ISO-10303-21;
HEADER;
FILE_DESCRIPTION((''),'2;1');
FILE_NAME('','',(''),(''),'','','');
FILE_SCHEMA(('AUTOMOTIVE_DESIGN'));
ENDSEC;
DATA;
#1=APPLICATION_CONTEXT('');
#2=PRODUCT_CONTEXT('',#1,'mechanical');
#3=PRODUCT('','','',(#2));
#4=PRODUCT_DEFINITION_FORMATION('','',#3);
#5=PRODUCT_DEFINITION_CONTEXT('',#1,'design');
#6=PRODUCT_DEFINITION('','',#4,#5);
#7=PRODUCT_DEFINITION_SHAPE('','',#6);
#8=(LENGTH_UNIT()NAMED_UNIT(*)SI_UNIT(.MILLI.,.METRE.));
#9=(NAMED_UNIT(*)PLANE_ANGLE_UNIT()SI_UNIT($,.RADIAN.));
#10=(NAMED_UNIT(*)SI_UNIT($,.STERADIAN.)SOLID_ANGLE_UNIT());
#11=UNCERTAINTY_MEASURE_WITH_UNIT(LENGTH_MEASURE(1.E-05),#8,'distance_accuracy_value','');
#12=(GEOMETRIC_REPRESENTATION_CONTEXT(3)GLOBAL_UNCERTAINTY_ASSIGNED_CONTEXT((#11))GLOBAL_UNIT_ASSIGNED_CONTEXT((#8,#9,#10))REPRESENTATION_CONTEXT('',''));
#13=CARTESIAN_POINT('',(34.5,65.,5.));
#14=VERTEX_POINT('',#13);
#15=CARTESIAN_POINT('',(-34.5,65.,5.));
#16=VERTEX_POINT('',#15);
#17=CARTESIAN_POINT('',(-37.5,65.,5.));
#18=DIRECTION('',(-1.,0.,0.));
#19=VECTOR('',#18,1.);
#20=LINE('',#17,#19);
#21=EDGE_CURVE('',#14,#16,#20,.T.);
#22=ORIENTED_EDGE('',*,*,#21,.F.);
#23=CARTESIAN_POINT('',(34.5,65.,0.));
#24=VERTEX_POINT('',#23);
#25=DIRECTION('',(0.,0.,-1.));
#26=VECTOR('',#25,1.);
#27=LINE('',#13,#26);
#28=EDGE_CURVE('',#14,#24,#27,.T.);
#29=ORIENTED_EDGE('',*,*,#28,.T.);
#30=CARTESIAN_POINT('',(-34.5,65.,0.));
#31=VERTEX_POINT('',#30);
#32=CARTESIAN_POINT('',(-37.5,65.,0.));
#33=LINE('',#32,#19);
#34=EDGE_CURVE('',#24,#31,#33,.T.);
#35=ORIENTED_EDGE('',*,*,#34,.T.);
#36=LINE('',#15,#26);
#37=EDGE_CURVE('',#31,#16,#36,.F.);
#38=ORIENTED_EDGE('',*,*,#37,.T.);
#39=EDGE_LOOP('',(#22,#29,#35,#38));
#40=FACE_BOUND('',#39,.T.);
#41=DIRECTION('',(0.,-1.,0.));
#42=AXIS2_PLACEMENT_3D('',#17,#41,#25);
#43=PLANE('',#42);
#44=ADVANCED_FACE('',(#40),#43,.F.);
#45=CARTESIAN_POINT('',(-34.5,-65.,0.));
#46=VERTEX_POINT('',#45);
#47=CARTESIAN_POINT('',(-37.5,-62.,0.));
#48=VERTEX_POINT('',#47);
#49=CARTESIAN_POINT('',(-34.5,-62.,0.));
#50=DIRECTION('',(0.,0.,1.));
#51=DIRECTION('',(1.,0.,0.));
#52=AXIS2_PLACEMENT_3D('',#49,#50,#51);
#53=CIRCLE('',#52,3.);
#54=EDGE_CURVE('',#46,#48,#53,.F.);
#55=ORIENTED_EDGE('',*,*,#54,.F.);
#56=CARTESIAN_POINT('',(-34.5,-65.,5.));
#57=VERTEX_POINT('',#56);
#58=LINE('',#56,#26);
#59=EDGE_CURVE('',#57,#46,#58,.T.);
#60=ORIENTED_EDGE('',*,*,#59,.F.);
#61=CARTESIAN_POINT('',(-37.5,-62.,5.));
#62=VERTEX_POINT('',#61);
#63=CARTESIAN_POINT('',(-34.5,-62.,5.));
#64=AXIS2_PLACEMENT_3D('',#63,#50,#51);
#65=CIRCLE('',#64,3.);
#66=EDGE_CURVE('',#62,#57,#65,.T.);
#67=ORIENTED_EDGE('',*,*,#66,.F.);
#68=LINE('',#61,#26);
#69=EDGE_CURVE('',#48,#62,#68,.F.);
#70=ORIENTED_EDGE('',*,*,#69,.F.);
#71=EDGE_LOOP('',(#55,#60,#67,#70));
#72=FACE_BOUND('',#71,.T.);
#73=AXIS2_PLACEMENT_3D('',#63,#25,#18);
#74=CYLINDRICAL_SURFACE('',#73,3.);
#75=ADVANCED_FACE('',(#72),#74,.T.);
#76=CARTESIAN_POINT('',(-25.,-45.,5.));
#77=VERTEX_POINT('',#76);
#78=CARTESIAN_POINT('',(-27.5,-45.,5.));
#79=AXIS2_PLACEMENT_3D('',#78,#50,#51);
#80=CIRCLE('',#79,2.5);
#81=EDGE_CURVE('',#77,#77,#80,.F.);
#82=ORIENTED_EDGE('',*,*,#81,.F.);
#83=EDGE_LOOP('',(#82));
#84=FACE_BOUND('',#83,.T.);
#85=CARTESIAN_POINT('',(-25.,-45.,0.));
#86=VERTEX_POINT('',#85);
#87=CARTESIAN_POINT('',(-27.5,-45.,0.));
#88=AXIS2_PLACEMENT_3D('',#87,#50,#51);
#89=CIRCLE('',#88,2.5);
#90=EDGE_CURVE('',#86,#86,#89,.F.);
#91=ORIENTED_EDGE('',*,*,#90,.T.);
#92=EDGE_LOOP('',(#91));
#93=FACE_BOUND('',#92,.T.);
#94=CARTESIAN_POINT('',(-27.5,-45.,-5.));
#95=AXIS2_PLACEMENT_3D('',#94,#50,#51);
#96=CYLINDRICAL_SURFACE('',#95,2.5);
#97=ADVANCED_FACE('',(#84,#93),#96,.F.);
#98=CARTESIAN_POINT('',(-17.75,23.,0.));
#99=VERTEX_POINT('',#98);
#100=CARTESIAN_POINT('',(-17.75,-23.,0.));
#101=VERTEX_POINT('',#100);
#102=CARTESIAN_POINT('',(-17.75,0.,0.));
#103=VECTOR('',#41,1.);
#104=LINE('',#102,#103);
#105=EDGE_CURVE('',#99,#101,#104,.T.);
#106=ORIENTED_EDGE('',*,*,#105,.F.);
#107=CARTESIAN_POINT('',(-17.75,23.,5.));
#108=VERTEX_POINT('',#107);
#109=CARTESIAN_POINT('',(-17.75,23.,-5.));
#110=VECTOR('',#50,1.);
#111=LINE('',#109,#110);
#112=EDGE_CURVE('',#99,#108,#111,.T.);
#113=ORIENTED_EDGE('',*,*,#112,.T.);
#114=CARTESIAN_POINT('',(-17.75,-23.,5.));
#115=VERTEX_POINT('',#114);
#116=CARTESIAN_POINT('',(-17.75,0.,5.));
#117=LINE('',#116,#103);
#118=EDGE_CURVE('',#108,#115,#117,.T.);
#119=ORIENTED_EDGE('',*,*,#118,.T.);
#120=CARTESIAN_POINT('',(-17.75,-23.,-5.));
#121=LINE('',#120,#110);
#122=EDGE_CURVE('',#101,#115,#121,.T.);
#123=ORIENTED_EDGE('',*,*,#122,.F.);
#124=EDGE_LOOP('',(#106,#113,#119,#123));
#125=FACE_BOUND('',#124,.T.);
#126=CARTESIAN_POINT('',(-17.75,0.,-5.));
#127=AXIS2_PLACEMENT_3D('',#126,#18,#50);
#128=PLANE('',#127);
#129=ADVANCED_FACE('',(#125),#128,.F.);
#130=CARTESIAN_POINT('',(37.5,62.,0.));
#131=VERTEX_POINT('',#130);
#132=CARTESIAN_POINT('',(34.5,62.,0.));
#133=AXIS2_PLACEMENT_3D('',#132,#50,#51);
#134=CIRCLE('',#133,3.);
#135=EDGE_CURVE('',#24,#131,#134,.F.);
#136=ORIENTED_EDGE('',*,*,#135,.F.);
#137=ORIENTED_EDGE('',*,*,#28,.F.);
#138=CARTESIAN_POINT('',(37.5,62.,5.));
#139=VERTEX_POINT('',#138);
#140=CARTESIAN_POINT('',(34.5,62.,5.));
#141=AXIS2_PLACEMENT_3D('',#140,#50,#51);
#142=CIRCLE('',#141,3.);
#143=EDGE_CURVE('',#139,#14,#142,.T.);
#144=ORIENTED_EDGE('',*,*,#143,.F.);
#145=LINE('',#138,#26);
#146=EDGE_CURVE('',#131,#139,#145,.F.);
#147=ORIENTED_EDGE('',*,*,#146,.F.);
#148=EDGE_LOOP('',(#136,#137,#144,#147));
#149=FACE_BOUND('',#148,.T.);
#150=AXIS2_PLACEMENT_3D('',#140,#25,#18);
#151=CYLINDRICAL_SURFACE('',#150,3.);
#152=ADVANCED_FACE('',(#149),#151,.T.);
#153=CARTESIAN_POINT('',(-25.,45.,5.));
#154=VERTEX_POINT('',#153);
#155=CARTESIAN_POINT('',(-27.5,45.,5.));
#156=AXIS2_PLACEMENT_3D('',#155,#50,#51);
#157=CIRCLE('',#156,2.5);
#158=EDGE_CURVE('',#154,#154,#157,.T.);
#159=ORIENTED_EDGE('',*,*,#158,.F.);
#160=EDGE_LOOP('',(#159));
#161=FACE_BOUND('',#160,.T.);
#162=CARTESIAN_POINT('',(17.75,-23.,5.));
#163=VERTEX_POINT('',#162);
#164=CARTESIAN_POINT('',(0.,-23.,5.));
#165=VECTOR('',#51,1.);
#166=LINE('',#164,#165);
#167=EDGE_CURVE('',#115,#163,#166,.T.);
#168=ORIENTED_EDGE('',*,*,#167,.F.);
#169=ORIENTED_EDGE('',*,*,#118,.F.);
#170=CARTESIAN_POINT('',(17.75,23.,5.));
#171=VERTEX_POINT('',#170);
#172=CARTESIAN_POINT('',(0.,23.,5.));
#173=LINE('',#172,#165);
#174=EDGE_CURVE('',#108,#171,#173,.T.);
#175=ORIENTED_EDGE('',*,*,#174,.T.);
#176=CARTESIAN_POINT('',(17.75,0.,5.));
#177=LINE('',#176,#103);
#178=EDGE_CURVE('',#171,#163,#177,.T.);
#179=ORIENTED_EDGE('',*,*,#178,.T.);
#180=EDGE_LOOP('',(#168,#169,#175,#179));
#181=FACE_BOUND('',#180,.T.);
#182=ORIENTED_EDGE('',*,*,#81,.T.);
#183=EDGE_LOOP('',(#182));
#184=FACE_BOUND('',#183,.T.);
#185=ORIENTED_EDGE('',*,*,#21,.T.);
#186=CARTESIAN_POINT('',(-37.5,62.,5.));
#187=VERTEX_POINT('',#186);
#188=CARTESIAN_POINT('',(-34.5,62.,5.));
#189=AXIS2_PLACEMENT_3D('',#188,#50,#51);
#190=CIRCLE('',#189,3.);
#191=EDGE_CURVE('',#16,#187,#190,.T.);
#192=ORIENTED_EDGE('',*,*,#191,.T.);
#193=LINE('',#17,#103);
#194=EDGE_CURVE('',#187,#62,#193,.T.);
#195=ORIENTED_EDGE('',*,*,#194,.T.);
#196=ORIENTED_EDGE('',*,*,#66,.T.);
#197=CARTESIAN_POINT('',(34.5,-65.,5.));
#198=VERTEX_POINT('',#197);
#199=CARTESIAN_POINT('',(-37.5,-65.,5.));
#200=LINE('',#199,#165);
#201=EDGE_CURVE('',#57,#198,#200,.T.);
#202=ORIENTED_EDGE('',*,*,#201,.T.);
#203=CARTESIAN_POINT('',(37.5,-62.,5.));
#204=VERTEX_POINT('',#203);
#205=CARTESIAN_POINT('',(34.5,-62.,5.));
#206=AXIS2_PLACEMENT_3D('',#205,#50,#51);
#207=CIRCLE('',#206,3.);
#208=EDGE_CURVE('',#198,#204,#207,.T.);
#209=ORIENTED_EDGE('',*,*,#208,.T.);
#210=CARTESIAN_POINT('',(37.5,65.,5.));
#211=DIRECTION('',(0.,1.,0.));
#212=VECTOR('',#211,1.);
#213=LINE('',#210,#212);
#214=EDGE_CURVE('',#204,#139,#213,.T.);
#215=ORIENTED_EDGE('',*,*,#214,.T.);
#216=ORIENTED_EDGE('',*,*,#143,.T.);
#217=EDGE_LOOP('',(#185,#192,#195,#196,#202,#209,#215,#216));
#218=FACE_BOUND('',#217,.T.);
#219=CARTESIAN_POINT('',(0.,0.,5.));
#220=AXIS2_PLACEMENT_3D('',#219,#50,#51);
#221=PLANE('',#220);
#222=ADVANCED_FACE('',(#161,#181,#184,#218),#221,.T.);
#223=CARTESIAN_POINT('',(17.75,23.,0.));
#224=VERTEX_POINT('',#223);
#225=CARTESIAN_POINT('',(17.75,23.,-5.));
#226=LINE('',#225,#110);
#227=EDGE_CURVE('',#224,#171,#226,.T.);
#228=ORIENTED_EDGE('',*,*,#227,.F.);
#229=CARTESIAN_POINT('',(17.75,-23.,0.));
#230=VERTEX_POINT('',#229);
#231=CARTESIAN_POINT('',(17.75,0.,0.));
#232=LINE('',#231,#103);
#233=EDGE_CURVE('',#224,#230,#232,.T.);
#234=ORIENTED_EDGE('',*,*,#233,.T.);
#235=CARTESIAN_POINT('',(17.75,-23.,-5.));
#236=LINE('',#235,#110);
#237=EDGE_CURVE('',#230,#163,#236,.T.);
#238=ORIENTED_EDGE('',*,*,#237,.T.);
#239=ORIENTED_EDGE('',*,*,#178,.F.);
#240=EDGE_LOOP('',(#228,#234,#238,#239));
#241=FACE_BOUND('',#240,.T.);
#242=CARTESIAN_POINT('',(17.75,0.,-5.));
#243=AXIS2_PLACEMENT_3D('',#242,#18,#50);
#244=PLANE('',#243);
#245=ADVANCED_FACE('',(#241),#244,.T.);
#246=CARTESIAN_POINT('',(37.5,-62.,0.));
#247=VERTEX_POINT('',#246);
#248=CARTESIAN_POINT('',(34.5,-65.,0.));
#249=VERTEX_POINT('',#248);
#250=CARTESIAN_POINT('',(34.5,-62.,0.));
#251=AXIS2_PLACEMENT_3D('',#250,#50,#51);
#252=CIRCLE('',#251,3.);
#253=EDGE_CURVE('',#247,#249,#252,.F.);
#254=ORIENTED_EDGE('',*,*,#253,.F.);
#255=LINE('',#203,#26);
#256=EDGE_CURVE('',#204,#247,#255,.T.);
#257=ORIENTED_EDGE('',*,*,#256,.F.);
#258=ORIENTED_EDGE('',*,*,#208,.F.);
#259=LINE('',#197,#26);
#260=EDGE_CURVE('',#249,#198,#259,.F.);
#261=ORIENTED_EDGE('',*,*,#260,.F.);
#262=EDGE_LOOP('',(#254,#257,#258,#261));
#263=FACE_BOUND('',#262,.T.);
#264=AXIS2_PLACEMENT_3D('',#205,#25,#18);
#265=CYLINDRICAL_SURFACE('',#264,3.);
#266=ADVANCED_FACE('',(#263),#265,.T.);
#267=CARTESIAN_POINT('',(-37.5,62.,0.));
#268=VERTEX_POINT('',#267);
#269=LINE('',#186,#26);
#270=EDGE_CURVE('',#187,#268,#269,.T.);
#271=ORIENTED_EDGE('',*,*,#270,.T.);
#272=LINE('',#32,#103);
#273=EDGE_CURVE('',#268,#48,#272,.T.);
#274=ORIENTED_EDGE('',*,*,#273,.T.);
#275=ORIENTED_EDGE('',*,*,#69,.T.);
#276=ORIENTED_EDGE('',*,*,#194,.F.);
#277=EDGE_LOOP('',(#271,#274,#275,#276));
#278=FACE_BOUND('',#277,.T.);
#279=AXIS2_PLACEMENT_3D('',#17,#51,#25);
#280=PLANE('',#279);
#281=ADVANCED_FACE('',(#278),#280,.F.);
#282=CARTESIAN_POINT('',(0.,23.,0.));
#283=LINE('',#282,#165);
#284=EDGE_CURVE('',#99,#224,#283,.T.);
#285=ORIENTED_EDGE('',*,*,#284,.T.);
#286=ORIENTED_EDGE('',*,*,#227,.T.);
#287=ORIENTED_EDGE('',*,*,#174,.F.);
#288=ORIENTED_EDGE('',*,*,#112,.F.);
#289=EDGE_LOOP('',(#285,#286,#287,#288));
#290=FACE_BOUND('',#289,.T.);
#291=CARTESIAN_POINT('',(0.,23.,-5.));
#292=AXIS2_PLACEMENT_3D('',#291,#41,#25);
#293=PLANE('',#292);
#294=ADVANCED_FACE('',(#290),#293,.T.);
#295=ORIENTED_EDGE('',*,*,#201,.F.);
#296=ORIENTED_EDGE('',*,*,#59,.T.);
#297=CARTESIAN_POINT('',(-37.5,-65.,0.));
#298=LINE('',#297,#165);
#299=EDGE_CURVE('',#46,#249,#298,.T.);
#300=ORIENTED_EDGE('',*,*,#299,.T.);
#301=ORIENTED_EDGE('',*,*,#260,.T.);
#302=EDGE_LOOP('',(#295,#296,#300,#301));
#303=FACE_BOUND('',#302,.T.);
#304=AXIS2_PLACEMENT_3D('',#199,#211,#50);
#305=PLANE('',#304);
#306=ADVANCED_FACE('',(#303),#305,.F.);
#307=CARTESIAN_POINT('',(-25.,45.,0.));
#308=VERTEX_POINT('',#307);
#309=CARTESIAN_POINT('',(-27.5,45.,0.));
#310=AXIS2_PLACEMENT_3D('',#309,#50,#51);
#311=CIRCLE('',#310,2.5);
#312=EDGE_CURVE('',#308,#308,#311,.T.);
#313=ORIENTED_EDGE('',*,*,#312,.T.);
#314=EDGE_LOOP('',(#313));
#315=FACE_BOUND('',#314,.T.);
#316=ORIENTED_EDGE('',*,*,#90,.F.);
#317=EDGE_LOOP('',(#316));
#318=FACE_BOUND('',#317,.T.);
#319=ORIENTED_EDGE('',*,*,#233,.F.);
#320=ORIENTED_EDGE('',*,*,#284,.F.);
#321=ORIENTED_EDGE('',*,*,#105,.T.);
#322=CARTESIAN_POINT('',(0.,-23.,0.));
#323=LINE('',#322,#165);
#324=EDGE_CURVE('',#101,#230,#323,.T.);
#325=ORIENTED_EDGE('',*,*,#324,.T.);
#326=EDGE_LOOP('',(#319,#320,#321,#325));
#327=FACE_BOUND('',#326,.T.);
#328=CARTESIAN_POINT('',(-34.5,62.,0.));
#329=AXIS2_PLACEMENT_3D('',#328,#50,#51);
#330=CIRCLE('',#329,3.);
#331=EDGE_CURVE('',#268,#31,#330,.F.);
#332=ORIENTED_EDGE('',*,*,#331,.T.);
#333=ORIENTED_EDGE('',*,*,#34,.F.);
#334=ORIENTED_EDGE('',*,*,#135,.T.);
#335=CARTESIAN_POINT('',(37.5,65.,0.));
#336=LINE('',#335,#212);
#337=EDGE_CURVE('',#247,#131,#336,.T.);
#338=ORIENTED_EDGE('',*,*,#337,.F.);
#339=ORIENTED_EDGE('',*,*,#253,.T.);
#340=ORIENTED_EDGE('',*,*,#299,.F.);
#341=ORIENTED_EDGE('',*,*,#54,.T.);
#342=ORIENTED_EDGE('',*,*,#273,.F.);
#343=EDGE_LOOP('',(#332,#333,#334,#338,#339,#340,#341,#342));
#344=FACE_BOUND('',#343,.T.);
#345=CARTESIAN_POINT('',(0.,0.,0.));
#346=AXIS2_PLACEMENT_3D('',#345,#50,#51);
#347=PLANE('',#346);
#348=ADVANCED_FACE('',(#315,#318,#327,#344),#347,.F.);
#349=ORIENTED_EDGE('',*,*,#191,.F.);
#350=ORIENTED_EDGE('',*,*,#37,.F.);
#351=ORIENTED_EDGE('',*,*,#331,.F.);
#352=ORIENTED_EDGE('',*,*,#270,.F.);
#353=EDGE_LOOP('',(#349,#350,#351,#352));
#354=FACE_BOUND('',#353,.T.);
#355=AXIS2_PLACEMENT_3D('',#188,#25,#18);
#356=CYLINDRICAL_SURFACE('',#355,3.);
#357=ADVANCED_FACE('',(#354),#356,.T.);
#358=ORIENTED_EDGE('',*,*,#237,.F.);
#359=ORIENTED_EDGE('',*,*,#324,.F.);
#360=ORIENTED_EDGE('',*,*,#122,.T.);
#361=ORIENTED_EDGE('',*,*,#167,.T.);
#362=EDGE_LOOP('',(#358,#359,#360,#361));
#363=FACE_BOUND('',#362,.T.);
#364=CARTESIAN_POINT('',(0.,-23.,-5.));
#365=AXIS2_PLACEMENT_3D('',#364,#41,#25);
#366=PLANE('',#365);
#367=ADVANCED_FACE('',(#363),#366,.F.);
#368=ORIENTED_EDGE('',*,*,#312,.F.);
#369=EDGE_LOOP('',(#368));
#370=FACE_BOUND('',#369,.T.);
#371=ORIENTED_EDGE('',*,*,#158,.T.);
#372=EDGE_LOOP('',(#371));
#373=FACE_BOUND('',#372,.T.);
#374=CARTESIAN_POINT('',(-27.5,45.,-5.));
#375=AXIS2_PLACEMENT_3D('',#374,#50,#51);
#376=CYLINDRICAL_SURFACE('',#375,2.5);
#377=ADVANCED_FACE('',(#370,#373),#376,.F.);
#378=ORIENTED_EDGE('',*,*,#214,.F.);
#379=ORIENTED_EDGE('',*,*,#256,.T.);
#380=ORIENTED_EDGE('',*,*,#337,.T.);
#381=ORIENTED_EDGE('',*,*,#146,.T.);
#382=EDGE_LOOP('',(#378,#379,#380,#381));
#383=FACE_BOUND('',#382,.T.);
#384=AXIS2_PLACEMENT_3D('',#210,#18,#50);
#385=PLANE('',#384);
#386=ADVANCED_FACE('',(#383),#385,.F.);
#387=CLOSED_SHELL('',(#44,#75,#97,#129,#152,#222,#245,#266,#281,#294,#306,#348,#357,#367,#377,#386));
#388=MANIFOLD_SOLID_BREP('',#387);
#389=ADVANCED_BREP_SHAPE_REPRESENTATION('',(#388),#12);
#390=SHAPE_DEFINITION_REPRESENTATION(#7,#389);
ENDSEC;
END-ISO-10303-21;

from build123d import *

# Parameters (mm, degrees)
SKETCH_1_W          = 75
SKETCH_1_H          = 130
EXTRUDE_1_DEPTH     = 5
SKETCH_2_W          = 35.5
SKETCH_2_H          = 46
SKETCH_2_R          = 2.5
CUT_EXTRUDE_1_DEPTH = 10
FILLET_1_R          = 3


with BuildPart() as part:
    # 草图1 → 凸台-拉伸1 (new body)
    with BuildSketch(Plane.XY):
        Rectangle(SKETCH_1_W, SKETCH_1_H)
    extrude(amount=EXTRUDE_1_DEPTH)

    # 草图2 → 切除-拉伸1 (cut)
    with BuildSketch(Plane.XY.offset(5)):
        Rectangle(SKETCH_2_W, SKETCH_2_H)
        with Locations((-27.5, -45)):
            Circle(SKETCH_2_R)
        with Locations((-27.5, 45)):
            Circle(SKETCH_2_R)
    extrude(amount=-CUT_EXTRUDE_1_DEPTH, mode=Mode.SUBTRACT)

    # 圆角1
    fillet_1_edges = [part.edges().sort_by_distance(p)[0] for p in [
        (37.5, -65, 2.5),
        (-37.5, -65, 2.5),
        (-37.5, 65, 2.5),
        (37.5, 65, 2.5),
    ]]
    fillet(fillet_1_edges, radius=FILLET_1_R)


solid = part.part
